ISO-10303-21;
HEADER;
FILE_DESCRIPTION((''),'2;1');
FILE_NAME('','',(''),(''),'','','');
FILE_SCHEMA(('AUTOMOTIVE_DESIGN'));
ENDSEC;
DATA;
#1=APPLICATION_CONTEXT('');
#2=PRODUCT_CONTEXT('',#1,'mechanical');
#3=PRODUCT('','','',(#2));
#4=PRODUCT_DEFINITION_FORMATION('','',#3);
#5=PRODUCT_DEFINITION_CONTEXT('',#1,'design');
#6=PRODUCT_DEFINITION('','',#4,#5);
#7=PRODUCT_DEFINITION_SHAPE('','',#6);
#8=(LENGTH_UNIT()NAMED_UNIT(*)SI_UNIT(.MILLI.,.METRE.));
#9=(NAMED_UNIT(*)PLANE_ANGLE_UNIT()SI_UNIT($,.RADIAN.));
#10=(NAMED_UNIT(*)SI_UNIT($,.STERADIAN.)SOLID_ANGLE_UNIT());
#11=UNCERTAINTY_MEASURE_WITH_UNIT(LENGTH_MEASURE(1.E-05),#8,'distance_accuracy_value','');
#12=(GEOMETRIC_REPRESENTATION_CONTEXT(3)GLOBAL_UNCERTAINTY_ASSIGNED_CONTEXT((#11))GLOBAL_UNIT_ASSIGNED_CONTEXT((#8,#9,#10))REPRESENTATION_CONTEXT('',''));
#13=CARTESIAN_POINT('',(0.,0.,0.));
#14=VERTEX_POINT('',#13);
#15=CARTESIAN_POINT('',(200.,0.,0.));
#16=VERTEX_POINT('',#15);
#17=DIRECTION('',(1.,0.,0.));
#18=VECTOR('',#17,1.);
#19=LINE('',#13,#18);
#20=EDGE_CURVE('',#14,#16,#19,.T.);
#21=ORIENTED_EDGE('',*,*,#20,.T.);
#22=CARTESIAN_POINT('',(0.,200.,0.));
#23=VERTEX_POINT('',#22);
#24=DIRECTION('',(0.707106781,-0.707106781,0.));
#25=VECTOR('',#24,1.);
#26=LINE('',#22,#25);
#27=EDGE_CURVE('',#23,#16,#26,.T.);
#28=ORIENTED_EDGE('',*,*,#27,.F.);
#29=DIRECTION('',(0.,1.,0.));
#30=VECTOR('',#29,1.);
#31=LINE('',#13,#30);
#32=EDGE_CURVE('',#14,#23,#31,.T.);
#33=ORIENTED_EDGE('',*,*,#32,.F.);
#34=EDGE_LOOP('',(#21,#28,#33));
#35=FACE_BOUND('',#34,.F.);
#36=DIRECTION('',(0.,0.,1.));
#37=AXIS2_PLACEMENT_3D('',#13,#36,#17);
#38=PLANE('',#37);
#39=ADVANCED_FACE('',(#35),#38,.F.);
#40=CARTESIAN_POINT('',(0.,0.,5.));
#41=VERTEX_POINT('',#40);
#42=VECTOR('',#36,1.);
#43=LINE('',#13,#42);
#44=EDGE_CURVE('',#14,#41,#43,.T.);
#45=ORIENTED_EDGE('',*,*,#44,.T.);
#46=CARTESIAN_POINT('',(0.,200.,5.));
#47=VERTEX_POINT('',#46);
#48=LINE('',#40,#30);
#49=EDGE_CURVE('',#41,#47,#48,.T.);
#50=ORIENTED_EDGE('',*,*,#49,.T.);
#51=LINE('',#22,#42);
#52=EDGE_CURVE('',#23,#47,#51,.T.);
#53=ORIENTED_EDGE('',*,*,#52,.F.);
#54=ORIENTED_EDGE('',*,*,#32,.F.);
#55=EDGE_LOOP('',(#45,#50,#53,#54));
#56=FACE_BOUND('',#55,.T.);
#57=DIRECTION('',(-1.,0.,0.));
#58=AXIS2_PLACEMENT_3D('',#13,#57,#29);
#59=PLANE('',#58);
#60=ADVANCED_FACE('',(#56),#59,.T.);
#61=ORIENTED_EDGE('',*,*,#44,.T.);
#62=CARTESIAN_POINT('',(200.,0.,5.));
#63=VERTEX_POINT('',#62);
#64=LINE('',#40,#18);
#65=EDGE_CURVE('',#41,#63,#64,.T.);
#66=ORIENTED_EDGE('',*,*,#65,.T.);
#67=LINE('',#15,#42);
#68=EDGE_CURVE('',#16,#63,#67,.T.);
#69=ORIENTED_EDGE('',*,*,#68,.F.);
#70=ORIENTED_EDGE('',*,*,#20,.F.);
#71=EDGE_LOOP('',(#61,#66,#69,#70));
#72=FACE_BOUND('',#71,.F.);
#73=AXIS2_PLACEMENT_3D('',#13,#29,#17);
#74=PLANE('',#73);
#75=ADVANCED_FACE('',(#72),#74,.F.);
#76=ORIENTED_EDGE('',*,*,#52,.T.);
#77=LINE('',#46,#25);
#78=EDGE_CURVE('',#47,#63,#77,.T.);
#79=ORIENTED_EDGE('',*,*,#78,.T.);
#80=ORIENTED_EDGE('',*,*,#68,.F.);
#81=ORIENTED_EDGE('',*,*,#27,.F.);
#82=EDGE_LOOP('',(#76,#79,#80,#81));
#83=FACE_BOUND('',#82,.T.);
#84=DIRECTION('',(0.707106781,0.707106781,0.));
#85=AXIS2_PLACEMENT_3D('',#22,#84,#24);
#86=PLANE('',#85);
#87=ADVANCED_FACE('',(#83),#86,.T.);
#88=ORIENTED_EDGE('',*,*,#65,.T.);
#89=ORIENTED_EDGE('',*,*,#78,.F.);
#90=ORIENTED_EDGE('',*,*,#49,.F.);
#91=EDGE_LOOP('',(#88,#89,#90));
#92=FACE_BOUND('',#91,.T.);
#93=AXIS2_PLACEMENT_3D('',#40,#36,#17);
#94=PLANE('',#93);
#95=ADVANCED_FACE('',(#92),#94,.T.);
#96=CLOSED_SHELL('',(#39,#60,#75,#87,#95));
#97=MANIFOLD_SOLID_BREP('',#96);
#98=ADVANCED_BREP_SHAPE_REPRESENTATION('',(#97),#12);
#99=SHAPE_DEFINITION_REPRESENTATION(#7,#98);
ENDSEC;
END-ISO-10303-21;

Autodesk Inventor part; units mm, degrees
ref_plane "YZ Plane" through (0, 0, 0) normal (1, 0, 0) x (0, 1, 0)
ref_plane "XZ Plane" through (0, 0, 0) normal (0, 1, 0) x (-1, 0, 0)
ref_plane "XY Plane" through (0, 0, 0) normal (0, 0, 1) x (1, 0, 0)
sketch "Szkic1" plane through (0, 0, 0) normal (0, 0, 1) x (1, 0, 0)
  line L0 (0, 0) -> (200, 0)
  line L1 (0, 0) -> (0, 200)
  line L2 (0, 200) -> (200, 0)
  dimension "d0" = 200
  dimension "d1" = 200
extrude "Wyciągnięcie proste1" add sketch "Szkic1" along normal blind 5
properties part number "kat" material "Stal, miękka"
